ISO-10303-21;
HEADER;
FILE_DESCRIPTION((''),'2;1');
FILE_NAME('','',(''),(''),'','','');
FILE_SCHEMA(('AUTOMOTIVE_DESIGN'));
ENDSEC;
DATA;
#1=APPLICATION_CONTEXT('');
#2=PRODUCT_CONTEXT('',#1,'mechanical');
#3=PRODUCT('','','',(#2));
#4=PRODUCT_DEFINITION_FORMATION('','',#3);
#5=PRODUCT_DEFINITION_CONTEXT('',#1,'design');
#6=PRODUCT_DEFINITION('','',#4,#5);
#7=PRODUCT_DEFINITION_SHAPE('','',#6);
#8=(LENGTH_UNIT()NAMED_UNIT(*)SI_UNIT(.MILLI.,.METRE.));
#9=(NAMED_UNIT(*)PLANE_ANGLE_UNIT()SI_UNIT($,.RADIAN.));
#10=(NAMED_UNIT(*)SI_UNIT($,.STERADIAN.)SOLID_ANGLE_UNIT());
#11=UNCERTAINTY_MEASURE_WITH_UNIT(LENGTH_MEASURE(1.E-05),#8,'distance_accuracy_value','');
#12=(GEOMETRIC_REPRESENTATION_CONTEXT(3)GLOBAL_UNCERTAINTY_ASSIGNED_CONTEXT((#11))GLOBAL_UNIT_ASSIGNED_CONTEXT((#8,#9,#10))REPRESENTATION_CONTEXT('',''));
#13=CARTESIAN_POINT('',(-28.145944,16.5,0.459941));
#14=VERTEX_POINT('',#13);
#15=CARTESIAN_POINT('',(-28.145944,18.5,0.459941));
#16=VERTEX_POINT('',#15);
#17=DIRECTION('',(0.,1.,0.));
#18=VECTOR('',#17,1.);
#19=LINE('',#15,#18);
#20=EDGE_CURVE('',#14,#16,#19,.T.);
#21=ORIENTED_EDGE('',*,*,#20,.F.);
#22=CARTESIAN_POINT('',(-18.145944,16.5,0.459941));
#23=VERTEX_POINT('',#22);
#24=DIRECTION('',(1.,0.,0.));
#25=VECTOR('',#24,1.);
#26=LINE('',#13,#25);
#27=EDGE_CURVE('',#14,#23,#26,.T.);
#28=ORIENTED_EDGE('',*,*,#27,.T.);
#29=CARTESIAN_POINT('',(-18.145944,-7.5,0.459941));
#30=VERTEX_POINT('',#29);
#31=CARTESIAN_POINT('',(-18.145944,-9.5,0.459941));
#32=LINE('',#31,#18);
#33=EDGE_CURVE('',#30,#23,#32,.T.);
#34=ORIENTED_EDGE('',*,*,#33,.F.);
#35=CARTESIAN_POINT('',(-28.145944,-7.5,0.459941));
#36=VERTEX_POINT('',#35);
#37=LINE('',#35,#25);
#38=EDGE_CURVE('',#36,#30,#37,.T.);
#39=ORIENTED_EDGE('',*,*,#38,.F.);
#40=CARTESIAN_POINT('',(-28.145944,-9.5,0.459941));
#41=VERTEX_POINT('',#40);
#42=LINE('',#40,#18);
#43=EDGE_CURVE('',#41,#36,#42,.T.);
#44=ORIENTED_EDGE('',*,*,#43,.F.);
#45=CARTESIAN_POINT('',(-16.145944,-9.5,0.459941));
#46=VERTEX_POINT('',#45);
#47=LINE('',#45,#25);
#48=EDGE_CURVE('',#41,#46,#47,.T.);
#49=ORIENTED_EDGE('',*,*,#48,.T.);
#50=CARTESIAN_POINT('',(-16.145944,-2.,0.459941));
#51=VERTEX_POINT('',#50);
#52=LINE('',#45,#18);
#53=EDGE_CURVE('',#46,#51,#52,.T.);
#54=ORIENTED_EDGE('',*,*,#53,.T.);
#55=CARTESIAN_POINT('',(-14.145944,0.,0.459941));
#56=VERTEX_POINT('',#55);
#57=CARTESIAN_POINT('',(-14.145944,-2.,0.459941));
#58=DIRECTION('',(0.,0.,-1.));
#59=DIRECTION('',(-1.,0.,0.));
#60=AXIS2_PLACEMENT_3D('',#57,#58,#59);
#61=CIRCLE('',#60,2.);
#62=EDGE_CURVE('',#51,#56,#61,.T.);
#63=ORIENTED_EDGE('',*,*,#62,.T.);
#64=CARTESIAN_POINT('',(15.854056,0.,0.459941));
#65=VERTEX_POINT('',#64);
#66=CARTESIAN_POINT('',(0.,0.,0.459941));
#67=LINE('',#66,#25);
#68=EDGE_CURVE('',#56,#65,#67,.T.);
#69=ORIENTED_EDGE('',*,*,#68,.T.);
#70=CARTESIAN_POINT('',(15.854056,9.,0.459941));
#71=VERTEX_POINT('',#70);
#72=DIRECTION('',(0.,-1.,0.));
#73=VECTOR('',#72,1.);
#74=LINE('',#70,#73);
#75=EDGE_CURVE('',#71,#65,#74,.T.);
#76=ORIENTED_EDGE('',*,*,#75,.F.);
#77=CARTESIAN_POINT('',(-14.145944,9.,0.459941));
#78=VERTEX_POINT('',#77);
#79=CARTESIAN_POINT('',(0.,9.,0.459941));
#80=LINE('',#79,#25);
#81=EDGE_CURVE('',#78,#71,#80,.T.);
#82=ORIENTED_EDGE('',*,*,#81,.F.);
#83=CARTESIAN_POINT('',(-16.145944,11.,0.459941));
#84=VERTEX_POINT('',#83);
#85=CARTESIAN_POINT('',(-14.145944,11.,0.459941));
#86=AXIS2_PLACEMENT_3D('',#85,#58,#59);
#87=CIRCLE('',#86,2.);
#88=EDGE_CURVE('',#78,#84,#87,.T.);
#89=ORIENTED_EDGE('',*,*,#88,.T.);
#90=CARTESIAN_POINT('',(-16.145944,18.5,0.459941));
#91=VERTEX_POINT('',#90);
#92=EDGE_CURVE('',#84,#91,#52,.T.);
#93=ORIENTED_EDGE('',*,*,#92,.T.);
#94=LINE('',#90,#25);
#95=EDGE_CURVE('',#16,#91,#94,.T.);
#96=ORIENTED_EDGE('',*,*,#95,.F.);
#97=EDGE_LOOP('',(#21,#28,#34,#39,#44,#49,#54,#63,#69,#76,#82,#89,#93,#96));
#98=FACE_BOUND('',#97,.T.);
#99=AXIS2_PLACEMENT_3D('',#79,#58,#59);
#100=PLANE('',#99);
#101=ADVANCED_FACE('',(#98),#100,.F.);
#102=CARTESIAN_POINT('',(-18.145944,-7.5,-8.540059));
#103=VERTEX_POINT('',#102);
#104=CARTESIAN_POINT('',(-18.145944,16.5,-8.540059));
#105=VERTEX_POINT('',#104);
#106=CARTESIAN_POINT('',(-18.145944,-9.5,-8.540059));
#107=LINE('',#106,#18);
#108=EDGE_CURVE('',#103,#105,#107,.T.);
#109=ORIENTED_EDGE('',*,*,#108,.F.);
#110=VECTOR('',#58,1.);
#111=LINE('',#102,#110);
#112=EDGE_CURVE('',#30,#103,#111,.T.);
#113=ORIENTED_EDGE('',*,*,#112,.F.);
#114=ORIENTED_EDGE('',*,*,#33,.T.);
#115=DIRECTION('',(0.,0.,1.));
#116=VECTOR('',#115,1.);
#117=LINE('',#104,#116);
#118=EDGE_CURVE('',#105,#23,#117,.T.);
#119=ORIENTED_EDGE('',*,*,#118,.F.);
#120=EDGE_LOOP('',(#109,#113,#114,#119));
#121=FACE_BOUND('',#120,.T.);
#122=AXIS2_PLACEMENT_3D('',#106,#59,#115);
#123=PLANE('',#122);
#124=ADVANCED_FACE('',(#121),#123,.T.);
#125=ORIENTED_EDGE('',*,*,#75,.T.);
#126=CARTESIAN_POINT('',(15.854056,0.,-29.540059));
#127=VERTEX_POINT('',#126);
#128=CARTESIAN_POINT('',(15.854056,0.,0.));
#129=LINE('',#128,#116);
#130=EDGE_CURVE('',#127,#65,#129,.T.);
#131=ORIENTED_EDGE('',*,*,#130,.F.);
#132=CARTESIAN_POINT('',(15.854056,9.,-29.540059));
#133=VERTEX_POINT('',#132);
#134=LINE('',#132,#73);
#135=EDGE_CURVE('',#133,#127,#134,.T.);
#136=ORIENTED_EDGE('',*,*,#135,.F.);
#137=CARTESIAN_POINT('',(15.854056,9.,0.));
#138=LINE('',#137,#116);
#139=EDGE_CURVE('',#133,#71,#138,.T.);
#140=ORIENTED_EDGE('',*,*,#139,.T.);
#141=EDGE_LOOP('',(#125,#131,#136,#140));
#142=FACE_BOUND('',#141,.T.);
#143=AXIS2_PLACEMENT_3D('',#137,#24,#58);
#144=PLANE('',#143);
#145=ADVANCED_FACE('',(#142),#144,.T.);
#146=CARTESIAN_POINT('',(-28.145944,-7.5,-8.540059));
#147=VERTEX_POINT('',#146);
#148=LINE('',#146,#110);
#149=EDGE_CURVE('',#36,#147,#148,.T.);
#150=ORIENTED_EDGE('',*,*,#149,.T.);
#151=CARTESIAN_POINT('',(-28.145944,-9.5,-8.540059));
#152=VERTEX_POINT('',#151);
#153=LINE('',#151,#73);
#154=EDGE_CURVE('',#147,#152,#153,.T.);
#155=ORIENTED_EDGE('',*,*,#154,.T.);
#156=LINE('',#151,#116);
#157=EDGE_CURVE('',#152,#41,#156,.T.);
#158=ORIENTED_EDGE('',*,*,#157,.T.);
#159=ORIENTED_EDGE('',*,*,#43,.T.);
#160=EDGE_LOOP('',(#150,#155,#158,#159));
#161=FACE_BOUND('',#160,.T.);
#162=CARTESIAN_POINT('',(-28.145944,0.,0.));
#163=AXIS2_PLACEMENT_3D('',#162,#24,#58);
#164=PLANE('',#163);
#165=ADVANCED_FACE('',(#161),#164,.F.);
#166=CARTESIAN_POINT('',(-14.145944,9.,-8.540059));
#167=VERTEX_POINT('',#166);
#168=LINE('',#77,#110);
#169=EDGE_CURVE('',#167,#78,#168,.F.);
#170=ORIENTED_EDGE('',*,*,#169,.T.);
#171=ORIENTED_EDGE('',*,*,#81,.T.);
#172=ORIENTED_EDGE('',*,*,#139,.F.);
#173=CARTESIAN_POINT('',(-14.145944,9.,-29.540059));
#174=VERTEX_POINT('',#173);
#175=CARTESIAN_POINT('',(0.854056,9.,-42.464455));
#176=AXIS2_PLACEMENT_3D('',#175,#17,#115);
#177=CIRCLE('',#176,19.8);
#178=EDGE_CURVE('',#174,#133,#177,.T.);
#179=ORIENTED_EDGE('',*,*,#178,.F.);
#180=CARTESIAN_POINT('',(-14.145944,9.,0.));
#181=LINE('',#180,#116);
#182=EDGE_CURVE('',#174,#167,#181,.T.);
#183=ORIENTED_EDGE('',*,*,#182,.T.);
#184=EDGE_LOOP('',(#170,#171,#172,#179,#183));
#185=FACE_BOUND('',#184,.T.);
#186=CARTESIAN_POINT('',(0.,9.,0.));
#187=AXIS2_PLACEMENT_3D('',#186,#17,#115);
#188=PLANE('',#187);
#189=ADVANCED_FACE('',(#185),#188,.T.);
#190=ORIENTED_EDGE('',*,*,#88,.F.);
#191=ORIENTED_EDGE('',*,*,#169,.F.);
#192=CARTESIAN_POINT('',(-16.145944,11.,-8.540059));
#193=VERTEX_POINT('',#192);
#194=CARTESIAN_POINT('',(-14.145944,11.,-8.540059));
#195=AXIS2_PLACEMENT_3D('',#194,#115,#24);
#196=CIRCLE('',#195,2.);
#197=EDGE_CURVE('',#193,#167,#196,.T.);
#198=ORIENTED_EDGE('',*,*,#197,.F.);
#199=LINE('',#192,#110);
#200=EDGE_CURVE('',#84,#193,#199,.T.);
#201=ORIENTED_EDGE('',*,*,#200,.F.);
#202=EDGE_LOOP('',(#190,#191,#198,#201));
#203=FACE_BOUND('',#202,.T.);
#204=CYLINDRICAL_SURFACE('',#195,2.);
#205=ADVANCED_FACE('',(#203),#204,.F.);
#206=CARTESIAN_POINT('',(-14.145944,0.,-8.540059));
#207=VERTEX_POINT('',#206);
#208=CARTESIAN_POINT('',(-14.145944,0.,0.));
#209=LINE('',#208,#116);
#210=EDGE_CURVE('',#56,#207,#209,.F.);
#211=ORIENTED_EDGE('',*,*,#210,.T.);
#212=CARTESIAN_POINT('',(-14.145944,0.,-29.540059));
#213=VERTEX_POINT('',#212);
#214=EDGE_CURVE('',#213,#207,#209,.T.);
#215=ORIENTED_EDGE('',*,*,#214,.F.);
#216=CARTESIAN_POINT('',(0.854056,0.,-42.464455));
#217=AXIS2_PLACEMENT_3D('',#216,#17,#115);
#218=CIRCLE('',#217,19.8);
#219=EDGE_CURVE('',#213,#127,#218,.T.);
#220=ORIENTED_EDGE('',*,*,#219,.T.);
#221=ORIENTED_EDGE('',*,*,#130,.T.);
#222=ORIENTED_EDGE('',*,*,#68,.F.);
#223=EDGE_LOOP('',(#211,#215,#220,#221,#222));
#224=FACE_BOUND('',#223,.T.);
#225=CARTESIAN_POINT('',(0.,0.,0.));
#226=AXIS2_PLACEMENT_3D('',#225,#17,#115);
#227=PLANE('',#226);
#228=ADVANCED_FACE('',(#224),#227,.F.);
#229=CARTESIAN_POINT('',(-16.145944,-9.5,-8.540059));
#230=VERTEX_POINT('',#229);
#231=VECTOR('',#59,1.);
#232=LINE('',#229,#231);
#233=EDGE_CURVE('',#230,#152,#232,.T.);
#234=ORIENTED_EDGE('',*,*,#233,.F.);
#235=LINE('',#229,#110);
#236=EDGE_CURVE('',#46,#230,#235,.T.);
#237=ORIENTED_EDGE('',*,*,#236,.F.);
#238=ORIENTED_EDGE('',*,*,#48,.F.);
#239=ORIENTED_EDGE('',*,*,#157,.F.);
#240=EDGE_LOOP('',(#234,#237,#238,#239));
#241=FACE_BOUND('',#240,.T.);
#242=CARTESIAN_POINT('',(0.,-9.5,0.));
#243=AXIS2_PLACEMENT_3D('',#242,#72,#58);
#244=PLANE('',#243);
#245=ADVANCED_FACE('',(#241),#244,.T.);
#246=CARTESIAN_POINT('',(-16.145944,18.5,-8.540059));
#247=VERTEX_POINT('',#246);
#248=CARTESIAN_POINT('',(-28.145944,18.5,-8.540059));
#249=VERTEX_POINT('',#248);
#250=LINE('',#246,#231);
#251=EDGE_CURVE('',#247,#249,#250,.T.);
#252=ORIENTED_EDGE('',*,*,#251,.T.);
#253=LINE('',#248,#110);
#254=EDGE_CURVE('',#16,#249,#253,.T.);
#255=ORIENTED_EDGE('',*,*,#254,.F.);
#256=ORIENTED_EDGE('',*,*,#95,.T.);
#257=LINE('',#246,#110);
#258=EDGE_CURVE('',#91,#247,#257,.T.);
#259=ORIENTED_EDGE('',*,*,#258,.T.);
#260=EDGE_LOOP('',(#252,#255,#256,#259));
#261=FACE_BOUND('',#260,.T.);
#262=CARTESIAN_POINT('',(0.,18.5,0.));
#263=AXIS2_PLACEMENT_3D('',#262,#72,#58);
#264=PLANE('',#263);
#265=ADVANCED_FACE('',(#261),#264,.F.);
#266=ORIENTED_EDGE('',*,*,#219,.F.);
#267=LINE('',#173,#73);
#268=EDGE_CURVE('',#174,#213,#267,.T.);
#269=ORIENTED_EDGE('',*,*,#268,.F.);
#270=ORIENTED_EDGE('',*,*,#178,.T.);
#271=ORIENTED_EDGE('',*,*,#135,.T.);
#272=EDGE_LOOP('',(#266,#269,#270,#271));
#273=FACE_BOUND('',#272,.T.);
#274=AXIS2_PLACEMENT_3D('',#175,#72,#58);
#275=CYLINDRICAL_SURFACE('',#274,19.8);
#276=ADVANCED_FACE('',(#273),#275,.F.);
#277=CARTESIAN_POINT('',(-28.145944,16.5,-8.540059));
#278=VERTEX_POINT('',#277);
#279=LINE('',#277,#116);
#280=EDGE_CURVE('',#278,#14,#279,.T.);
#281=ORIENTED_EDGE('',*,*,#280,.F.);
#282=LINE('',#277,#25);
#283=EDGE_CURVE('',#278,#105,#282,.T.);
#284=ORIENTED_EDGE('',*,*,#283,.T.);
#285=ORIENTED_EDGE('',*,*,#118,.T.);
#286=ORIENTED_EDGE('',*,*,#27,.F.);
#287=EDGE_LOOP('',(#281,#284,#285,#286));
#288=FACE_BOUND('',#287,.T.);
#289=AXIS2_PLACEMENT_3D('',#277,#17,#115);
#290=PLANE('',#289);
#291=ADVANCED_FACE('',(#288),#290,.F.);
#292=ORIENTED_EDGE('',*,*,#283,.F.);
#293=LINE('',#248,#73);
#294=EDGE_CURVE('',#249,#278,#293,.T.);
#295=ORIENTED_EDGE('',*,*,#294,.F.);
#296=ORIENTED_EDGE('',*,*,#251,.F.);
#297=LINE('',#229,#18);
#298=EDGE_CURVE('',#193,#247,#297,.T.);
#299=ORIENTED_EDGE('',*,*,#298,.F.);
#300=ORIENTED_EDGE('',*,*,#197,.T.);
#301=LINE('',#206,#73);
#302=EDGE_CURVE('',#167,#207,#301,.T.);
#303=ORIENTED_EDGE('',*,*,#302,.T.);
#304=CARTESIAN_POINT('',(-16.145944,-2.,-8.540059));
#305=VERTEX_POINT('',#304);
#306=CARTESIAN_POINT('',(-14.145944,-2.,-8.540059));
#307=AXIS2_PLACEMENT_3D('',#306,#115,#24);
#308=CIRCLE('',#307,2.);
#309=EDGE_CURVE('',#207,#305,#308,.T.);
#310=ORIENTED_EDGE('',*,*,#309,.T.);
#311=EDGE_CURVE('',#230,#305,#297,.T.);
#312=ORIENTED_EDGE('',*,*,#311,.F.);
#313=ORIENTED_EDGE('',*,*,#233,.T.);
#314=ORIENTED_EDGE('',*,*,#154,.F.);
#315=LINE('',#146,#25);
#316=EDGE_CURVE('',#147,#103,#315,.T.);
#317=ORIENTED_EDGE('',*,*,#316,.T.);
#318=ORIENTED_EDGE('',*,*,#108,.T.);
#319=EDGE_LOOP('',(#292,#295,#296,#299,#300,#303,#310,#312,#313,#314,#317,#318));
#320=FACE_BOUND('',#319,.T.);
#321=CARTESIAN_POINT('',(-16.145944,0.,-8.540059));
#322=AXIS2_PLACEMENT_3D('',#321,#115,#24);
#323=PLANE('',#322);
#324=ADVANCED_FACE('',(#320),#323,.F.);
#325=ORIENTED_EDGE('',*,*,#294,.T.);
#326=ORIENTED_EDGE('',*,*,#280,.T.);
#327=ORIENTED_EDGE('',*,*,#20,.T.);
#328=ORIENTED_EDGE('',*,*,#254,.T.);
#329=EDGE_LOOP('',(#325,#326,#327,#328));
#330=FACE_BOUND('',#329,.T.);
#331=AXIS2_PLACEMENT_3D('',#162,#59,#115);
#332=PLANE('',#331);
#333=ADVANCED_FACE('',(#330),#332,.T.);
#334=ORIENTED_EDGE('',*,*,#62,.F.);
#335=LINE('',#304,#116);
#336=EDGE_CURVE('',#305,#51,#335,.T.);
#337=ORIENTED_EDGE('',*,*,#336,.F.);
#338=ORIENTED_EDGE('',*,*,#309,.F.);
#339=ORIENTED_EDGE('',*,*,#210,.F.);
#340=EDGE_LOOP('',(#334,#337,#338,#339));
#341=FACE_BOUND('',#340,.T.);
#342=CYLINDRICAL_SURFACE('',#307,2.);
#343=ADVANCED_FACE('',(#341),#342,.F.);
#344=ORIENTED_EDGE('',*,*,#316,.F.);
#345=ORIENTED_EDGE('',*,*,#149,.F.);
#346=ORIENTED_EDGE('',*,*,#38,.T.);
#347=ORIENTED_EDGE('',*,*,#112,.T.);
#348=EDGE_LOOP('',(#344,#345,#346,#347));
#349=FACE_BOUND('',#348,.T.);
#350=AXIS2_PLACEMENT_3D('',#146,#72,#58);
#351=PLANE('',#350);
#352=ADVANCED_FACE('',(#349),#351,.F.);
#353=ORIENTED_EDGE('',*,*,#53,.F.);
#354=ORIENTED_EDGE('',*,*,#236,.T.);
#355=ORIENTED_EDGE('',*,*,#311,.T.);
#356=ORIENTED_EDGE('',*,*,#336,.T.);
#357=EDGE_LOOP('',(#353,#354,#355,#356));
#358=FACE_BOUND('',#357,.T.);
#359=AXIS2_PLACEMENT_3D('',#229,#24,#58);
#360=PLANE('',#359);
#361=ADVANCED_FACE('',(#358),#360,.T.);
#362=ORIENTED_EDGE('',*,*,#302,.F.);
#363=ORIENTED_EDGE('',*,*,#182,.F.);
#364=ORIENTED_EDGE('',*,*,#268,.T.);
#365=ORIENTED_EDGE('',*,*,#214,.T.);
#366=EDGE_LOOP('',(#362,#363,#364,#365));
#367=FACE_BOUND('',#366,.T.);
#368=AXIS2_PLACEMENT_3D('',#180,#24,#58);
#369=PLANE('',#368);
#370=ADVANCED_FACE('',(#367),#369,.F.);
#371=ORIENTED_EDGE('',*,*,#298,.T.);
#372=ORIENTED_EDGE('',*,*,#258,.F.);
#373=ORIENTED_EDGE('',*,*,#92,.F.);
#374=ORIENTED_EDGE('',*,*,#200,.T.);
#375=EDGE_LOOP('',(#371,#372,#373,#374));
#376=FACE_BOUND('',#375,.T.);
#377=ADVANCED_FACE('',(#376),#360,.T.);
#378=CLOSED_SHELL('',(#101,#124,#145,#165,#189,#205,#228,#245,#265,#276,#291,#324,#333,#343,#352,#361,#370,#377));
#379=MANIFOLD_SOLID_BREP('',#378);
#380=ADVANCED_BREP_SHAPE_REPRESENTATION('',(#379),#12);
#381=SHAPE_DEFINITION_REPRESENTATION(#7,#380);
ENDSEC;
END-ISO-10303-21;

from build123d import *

# Parameters (mm, degrees)
EXTRUDE_1_DEPTH      = 9
SKETCH_2_W           = 9
SKETCH_2_H           = 9
EXTRUDE_2_DEPTH      = 2
EXTRUDE_5_DEPTH      = 9.5
EXTRUDE_5_DEPTH_BACK = 18.5
SKETCH_3_W           = 2
SKETCH_3_H           = 9
SKETCH_5_W           = 9
SKETCH_5_H           = 2
EXTRUDE_6_DEPTH      = 10
FILLET_2_R           = 2


with BuildPart() as part:
    # 草图1 → 凸台-拉伸1 (new body)
    with BuildSketch(Plane(origin=(0, 0, 0), x_dir=(1, 0, 0), z_dir=(0, 1, 0))):
        with BuildLine():
            ThreePointArc((15.854056032, 29.540059463), (0.854056032, 22.664455), (-14.145943968, 29.540059463))
            Line((-14.145943968, 29.540059463), (-14.145943968, -0.459940537))
            Line((-14.145943968, -0.459940537), (15.854056032, -0.459940537))
            Line((15.854056032, -0.459940537), (15.854056032, 29.540059463))
        make_face()
    extrude(amount=EXTRUDE_1_DEPTH)

    # 草图2 → 凸台-拉伸2 (add)
    with BuildSketch(Plane.ZY.offset(14.145943968)):
        with Locations((-4.040059463, 4.5)):
            Rectangle(SKETCH_2_W, SKETCH_2_H)
    extrude(amount=EXTRUDE_2_DEPTH)

    # 草图3 → 凸台-拉伸5 (add, two sides: drawn at the far end of the back side and taken through both)
    with BuildSketch(Plane(origin=(0, 9, 0), x_dir=(1, 0, 0), z_dir=(0, 1, 0)).offset(-EXTRUDE_5_DEPTH_BACK)):
        with Locations((-17.145943968, 4.040059463)):
            Rectangle(SKETCH_3_W, SKETCH_3_H)
    extrude(amount=EXTRUDE_5_DEPTH + EXTRUDE_5_DEPTH_BACK)

    # 草图5 → 凸台-拉伸6 (add)
    with BuildSketch(Plane.ZY.offset(18.145943968)):
        with Locations((-4.040059463, 17.5)):
            Rectangle(SKETCH_5_W, SKETCH_5_H)
        with Locations((-4.040059463, -8.5)):
            Rectangle(SKETCH_5_W, SKETCH_5_H)
    extrude(amount=EXTRUDE_6_DEPTH)

    # 圆角2
    fillet_2_edges = [part.edges().sort_by_distance(p)[0] for p in [
        (-16.145943968, 0, -4.040059463),
        (-16.145943968, 9, -4.040059463),
    ]]
    fillet(fillet_2_edges, radius=FILLET_2_R)


solid = part.part
